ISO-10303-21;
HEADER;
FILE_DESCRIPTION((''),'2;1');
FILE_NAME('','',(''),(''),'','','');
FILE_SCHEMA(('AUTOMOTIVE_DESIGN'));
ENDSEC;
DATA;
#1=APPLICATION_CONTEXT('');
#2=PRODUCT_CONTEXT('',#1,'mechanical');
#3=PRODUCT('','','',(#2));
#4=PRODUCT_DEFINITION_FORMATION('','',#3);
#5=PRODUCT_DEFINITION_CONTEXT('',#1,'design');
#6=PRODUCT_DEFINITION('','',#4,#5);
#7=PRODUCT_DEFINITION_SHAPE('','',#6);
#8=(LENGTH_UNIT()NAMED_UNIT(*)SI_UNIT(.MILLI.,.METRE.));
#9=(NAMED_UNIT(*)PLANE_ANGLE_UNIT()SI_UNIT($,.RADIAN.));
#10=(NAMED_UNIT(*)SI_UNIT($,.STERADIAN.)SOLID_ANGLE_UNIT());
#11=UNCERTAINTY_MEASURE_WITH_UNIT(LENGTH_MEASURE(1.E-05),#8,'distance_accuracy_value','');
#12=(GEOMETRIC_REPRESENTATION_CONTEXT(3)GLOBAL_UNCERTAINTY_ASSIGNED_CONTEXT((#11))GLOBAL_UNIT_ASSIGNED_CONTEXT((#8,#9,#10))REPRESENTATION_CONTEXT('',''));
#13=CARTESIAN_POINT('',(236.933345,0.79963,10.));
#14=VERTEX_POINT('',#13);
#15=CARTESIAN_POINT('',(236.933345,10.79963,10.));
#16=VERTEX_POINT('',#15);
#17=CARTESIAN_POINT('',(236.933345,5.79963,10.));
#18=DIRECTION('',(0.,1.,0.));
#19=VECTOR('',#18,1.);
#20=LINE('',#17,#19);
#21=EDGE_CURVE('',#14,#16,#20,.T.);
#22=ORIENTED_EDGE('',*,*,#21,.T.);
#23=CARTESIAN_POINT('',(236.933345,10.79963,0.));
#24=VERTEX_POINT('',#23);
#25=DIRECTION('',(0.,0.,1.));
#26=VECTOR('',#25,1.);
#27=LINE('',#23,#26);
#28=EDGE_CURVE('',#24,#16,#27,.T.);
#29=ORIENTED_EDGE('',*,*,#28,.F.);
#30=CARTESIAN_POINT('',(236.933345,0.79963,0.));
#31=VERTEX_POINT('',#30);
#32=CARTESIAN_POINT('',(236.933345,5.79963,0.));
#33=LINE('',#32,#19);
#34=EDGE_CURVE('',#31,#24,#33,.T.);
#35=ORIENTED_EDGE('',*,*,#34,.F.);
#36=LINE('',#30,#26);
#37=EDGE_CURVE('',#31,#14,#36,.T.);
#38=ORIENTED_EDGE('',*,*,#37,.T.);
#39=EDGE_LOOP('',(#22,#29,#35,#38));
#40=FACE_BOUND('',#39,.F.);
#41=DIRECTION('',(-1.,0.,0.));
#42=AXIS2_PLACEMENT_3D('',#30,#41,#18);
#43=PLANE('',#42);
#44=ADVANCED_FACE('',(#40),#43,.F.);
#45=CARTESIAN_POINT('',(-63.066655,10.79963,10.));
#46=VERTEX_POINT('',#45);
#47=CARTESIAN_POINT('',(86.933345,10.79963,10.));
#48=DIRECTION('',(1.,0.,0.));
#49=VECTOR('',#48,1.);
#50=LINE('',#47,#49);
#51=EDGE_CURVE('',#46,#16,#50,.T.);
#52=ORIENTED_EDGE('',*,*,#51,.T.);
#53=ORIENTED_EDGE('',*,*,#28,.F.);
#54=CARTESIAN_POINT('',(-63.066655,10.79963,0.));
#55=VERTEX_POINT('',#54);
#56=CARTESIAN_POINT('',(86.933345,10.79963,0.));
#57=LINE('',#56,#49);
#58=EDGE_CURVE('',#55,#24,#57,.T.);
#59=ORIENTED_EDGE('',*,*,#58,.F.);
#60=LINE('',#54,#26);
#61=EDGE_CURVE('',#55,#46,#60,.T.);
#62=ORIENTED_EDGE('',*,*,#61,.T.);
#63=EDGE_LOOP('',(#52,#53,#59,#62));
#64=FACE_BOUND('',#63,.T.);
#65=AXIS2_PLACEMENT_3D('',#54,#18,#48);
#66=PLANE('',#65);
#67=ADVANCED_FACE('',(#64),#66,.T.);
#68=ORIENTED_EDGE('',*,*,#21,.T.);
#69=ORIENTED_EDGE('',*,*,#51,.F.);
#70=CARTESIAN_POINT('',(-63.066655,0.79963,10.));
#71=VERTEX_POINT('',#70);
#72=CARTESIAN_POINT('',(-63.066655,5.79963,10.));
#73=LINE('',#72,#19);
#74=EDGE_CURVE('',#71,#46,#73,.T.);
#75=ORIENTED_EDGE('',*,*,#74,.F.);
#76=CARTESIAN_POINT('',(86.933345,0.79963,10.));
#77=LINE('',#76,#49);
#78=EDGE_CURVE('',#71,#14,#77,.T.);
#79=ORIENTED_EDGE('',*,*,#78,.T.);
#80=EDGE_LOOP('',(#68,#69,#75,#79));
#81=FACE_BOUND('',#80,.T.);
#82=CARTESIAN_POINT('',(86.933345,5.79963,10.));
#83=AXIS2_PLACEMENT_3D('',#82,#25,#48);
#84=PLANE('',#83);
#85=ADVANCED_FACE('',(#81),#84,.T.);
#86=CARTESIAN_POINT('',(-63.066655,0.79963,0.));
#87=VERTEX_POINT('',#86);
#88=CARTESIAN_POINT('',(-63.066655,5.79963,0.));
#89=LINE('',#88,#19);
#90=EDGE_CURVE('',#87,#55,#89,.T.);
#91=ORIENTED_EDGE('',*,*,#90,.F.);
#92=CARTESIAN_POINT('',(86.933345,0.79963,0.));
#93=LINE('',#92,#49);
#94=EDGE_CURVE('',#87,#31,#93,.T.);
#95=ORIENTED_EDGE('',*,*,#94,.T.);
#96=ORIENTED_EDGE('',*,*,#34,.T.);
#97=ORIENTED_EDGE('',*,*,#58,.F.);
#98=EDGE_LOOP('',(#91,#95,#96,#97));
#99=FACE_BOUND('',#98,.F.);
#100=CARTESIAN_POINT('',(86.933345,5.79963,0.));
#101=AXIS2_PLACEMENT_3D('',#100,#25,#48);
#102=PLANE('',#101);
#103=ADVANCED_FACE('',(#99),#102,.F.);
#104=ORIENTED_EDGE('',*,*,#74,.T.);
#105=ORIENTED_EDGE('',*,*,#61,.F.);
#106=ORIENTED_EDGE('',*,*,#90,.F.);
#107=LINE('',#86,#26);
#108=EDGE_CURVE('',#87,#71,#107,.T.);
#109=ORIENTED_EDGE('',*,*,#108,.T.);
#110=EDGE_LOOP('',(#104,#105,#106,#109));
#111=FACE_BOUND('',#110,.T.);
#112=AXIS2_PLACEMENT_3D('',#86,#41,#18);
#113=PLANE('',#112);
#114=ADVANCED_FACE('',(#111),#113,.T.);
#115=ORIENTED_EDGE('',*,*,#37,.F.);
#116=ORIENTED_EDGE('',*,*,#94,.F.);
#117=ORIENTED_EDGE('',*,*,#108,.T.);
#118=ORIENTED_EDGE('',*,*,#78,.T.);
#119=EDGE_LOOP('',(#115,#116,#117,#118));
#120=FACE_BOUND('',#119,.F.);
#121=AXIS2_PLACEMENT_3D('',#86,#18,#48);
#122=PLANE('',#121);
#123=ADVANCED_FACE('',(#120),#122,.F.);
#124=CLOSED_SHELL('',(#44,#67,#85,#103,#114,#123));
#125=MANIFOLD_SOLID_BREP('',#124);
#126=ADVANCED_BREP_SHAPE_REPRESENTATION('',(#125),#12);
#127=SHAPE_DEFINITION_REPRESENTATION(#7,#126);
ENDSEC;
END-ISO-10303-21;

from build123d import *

# Parameters (mm, degrees)
ESQUISSE1_W        = 300
ESQUISSE1_H        = 10
BOSS_EXTRU_1_DEPTH = 10


with BuildPart() as part:
    # Esquisse1 → Boss.-Extru.1 (new body)
    with BuildSketch(Plane.XY):
        with Locations((86.933345127, 5.79962963)):
            Rectangle(ESQUISSE1_W, ESQUISSE1_H)
    extrude(amount=BOSS_EXTRU_1_DEPTH)


solid = part.part
